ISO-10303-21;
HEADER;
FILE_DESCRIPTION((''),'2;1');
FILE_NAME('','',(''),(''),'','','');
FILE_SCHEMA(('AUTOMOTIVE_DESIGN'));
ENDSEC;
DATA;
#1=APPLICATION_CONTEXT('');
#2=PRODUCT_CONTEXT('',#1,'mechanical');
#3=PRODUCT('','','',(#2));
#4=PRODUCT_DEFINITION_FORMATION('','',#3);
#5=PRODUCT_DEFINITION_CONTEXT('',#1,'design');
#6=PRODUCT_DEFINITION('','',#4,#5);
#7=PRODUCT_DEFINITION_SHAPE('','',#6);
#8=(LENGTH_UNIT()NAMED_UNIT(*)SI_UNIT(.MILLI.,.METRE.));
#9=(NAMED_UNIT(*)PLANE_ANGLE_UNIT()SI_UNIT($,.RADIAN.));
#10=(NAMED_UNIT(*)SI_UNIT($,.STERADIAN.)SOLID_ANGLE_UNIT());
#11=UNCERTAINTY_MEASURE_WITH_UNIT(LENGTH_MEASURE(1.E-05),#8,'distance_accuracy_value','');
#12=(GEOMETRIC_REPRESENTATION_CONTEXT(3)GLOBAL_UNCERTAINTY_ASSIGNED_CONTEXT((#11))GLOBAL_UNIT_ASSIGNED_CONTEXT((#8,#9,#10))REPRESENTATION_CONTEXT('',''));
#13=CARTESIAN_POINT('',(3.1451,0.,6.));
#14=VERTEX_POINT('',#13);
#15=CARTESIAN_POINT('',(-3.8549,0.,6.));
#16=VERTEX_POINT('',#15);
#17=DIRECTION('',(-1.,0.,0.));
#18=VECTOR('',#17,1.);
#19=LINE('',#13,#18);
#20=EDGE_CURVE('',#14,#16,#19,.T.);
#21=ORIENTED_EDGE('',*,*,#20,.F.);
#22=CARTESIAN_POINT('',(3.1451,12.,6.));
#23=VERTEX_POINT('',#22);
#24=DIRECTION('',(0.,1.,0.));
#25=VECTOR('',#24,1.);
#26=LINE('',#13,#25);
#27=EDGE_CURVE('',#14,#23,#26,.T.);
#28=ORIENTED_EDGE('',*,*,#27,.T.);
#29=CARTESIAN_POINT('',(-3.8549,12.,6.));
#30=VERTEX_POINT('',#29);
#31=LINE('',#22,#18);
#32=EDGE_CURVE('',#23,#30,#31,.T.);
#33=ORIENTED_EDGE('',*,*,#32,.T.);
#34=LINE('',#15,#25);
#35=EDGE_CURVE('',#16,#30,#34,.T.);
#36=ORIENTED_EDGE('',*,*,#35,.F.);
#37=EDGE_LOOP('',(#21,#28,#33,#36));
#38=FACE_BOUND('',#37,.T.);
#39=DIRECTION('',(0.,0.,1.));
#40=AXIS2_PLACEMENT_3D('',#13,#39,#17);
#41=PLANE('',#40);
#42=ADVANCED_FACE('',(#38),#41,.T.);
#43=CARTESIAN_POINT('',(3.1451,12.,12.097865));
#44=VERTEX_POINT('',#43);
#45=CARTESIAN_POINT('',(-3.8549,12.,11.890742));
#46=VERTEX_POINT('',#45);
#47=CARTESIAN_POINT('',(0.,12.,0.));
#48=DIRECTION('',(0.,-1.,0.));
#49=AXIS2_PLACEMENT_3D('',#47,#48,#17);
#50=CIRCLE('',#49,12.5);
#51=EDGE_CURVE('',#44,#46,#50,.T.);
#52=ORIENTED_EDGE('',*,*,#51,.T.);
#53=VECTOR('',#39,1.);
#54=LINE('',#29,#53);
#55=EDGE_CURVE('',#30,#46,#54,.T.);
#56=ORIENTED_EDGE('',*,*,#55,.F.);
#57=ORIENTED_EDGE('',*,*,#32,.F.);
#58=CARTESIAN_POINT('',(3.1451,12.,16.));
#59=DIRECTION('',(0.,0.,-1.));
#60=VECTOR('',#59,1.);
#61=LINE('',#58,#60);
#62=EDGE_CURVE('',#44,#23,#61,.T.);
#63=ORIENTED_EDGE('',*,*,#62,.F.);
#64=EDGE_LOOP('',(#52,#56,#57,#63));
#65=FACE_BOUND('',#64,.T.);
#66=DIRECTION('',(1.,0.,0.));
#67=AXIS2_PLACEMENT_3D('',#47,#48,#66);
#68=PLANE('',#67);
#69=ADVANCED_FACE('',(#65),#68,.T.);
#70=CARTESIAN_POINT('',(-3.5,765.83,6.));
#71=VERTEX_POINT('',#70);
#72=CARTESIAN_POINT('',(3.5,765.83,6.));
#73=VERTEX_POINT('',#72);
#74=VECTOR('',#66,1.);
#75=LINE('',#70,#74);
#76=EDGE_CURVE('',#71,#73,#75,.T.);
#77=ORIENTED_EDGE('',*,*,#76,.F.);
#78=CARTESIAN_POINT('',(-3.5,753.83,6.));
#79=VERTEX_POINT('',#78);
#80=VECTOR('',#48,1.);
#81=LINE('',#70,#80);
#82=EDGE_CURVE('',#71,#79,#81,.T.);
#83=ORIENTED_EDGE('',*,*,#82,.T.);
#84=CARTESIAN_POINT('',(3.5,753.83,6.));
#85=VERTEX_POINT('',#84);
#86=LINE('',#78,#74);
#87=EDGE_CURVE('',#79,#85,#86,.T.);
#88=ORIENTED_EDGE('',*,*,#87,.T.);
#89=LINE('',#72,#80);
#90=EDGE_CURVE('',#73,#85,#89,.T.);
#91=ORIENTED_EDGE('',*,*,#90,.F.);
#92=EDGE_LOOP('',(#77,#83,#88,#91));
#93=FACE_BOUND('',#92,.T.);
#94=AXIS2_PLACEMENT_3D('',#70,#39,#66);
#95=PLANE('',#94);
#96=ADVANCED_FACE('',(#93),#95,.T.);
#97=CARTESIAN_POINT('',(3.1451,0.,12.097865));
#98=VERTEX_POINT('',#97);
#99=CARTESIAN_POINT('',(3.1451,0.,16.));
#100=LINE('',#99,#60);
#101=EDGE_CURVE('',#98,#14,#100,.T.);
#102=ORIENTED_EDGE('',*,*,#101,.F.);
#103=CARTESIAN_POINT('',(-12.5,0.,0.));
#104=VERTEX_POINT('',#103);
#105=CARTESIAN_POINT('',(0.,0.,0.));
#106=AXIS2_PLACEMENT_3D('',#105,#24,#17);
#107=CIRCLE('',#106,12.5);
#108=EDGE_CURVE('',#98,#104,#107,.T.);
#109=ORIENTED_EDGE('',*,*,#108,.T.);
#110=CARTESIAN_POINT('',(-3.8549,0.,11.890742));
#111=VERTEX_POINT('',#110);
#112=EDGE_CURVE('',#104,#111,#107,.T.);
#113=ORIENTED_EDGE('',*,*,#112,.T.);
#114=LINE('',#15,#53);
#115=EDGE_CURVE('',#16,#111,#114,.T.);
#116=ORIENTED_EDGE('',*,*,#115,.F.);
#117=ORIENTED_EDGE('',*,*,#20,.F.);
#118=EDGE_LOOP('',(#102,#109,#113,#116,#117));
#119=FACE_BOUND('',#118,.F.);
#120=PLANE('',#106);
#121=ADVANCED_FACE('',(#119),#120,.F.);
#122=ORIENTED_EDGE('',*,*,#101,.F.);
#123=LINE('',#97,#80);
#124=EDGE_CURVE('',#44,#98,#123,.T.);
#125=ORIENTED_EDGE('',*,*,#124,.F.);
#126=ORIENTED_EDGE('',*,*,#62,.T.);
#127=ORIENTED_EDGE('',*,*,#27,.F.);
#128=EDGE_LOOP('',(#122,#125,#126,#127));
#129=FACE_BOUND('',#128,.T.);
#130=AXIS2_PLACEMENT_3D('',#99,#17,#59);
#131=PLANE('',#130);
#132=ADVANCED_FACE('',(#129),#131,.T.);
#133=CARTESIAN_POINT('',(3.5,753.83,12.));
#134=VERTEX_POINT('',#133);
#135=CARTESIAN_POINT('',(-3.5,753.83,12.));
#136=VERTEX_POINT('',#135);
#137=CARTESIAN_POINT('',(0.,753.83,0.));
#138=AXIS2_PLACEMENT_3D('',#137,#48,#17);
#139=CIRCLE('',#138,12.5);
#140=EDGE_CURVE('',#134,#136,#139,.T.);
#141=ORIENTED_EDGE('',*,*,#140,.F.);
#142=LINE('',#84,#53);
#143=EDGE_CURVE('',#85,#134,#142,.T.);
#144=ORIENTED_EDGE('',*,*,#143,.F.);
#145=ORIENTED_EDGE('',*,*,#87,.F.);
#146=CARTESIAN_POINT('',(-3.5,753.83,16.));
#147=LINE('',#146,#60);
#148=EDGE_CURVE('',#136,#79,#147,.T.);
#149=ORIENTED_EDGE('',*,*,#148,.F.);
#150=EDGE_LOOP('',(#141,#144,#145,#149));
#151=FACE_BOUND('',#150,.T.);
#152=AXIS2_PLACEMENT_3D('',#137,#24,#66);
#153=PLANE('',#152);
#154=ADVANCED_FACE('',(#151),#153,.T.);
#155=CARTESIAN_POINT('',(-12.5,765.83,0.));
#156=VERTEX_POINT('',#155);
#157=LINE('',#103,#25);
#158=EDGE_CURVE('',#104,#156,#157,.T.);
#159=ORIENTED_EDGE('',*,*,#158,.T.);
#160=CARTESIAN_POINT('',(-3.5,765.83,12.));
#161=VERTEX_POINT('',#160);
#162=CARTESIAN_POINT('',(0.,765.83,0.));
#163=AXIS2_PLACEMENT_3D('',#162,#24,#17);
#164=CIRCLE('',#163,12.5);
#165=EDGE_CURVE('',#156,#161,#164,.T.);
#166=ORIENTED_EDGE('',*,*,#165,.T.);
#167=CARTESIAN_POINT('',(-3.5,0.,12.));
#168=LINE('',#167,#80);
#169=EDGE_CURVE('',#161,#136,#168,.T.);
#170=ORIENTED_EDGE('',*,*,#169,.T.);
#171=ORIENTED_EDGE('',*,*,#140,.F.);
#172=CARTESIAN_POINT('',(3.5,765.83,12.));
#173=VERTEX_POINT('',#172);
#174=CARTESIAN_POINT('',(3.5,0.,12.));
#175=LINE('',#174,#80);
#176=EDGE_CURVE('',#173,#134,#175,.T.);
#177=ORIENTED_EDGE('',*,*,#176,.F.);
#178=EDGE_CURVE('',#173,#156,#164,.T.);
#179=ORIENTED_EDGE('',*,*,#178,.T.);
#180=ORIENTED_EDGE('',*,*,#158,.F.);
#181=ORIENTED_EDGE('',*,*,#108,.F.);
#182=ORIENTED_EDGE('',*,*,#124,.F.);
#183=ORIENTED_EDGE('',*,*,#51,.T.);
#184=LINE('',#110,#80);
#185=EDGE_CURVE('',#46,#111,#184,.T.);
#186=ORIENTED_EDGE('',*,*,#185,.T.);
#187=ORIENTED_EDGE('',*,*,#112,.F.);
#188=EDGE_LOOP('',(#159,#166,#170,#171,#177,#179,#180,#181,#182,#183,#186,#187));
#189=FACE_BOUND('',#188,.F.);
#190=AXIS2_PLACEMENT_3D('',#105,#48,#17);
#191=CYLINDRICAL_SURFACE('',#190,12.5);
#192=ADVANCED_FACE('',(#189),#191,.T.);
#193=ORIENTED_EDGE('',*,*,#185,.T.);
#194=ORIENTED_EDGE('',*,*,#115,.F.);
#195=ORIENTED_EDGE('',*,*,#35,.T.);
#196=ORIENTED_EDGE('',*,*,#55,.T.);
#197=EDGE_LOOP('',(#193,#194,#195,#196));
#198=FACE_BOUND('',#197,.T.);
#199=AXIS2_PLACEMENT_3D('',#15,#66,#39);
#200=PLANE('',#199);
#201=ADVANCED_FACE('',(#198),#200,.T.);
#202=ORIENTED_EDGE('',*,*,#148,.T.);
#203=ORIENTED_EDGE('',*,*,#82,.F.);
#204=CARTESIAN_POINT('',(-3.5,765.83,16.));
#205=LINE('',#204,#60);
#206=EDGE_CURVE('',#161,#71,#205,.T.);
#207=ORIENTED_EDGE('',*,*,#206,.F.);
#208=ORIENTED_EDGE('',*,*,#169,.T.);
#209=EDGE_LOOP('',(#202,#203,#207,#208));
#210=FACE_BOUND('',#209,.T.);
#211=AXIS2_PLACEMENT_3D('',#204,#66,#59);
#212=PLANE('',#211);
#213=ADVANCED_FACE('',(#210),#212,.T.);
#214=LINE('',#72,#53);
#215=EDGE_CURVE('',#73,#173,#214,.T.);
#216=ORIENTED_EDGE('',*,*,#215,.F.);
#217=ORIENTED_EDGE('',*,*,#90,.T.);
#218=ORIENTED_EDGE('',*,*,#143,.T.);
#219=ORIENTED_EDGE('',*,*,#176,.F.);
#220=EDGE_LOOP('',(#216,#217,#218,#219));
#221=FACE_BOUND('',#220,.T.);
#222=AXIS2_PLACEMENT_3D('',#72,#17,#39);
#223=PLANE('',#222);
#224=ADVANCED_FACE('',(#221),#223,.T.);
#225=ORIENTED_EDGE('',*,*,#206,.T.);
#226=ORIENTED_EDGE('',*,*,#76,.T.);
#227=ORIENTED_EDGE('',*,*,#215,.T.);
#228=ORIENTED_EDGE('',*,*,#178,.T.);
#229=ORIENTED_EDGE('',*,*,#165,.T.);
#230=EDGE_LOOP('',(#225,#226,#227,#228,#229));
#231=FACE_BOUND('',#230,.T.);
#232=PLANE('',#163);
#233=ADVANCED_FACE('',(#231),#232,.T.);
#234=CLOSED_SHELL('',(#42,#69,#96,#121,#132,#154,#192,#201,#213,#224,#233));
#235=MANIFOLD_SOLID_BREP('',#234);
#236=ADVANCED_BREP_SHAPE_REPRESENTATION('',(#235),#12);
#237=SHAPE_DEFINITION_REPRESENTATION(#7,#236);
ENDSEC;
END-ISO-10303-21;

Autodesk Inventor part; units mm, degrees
ref_plane "XZ Plane" through (0, 0, 0) normal (0, 1, 0) x (-1, 0, 0)
sketch "Skizze1" plane through (0, 0, 0) normal (0, 1, 0) x (-1, 0, 0)
  circle A0 centre (0, 0) radius 12.5
  dimension "d0" = 25
extrude "Extrusion1" add sketch "Skizze1" along normal blind 765.83
ref_plane "Arbeitsebene1" through (-7.5, 0, 0) normal (1, 0, 0) x (0, 1, 0)
ref_plane "Arbeitsebene2" through (7.5, 0, 0) normal (1, 0, 0) x (0, 1, 0)
sketch "Skizze4" plane through (0, 765.83, 0) normal (0, 1, 0) x (1, 0, 0)
  line L0 (3.5, -16) -> (-3.5, -16)
  line L1 (-3.5, -16) -> (-3.5, -6)
  line L2 (-3.5, -6) -> (3.5, -6)
  line L3 (3.5, -6) -> (3.5, -16)
  line L4 (0, 18.2) -> (0, -21.7) construction
  line L5 (-17.5, 0) -> (17.5, 0) construction
  dimension "d15" = 6
  dimension "d16" = 10
  dimension "d17" = 7
extrude "Extrusion4" cut sketch "Skizze4" against normal blind 12
sketch "Skizze5" plane through (0, 0, 0) normal (0, -1, 0) x (1, 0, 0)
  line L0 (-3.8549, 16) -> (3.1451, 16)
  line L1 (3.1451, 16) -> (3.1451, 6)
  line L2 (3.1451, 6) -> (-3.8549, 6)
  line L3 (-3.8549, 6) -> (-3.8549, 16)
  line L4 (-17.5, 0) -> (17.5, 0) construction
  dimension "d20" = 6
  dimension "d21" = 10
  dimension "d22" = 7
extrude "Extrusion5" cut sketch "Skizze5" against normal blind 12
equation "\"Wellensdurchmesser\" = 35"
equation "\"Wellenlänge\" = 724.33"
properties part number "Welle"
